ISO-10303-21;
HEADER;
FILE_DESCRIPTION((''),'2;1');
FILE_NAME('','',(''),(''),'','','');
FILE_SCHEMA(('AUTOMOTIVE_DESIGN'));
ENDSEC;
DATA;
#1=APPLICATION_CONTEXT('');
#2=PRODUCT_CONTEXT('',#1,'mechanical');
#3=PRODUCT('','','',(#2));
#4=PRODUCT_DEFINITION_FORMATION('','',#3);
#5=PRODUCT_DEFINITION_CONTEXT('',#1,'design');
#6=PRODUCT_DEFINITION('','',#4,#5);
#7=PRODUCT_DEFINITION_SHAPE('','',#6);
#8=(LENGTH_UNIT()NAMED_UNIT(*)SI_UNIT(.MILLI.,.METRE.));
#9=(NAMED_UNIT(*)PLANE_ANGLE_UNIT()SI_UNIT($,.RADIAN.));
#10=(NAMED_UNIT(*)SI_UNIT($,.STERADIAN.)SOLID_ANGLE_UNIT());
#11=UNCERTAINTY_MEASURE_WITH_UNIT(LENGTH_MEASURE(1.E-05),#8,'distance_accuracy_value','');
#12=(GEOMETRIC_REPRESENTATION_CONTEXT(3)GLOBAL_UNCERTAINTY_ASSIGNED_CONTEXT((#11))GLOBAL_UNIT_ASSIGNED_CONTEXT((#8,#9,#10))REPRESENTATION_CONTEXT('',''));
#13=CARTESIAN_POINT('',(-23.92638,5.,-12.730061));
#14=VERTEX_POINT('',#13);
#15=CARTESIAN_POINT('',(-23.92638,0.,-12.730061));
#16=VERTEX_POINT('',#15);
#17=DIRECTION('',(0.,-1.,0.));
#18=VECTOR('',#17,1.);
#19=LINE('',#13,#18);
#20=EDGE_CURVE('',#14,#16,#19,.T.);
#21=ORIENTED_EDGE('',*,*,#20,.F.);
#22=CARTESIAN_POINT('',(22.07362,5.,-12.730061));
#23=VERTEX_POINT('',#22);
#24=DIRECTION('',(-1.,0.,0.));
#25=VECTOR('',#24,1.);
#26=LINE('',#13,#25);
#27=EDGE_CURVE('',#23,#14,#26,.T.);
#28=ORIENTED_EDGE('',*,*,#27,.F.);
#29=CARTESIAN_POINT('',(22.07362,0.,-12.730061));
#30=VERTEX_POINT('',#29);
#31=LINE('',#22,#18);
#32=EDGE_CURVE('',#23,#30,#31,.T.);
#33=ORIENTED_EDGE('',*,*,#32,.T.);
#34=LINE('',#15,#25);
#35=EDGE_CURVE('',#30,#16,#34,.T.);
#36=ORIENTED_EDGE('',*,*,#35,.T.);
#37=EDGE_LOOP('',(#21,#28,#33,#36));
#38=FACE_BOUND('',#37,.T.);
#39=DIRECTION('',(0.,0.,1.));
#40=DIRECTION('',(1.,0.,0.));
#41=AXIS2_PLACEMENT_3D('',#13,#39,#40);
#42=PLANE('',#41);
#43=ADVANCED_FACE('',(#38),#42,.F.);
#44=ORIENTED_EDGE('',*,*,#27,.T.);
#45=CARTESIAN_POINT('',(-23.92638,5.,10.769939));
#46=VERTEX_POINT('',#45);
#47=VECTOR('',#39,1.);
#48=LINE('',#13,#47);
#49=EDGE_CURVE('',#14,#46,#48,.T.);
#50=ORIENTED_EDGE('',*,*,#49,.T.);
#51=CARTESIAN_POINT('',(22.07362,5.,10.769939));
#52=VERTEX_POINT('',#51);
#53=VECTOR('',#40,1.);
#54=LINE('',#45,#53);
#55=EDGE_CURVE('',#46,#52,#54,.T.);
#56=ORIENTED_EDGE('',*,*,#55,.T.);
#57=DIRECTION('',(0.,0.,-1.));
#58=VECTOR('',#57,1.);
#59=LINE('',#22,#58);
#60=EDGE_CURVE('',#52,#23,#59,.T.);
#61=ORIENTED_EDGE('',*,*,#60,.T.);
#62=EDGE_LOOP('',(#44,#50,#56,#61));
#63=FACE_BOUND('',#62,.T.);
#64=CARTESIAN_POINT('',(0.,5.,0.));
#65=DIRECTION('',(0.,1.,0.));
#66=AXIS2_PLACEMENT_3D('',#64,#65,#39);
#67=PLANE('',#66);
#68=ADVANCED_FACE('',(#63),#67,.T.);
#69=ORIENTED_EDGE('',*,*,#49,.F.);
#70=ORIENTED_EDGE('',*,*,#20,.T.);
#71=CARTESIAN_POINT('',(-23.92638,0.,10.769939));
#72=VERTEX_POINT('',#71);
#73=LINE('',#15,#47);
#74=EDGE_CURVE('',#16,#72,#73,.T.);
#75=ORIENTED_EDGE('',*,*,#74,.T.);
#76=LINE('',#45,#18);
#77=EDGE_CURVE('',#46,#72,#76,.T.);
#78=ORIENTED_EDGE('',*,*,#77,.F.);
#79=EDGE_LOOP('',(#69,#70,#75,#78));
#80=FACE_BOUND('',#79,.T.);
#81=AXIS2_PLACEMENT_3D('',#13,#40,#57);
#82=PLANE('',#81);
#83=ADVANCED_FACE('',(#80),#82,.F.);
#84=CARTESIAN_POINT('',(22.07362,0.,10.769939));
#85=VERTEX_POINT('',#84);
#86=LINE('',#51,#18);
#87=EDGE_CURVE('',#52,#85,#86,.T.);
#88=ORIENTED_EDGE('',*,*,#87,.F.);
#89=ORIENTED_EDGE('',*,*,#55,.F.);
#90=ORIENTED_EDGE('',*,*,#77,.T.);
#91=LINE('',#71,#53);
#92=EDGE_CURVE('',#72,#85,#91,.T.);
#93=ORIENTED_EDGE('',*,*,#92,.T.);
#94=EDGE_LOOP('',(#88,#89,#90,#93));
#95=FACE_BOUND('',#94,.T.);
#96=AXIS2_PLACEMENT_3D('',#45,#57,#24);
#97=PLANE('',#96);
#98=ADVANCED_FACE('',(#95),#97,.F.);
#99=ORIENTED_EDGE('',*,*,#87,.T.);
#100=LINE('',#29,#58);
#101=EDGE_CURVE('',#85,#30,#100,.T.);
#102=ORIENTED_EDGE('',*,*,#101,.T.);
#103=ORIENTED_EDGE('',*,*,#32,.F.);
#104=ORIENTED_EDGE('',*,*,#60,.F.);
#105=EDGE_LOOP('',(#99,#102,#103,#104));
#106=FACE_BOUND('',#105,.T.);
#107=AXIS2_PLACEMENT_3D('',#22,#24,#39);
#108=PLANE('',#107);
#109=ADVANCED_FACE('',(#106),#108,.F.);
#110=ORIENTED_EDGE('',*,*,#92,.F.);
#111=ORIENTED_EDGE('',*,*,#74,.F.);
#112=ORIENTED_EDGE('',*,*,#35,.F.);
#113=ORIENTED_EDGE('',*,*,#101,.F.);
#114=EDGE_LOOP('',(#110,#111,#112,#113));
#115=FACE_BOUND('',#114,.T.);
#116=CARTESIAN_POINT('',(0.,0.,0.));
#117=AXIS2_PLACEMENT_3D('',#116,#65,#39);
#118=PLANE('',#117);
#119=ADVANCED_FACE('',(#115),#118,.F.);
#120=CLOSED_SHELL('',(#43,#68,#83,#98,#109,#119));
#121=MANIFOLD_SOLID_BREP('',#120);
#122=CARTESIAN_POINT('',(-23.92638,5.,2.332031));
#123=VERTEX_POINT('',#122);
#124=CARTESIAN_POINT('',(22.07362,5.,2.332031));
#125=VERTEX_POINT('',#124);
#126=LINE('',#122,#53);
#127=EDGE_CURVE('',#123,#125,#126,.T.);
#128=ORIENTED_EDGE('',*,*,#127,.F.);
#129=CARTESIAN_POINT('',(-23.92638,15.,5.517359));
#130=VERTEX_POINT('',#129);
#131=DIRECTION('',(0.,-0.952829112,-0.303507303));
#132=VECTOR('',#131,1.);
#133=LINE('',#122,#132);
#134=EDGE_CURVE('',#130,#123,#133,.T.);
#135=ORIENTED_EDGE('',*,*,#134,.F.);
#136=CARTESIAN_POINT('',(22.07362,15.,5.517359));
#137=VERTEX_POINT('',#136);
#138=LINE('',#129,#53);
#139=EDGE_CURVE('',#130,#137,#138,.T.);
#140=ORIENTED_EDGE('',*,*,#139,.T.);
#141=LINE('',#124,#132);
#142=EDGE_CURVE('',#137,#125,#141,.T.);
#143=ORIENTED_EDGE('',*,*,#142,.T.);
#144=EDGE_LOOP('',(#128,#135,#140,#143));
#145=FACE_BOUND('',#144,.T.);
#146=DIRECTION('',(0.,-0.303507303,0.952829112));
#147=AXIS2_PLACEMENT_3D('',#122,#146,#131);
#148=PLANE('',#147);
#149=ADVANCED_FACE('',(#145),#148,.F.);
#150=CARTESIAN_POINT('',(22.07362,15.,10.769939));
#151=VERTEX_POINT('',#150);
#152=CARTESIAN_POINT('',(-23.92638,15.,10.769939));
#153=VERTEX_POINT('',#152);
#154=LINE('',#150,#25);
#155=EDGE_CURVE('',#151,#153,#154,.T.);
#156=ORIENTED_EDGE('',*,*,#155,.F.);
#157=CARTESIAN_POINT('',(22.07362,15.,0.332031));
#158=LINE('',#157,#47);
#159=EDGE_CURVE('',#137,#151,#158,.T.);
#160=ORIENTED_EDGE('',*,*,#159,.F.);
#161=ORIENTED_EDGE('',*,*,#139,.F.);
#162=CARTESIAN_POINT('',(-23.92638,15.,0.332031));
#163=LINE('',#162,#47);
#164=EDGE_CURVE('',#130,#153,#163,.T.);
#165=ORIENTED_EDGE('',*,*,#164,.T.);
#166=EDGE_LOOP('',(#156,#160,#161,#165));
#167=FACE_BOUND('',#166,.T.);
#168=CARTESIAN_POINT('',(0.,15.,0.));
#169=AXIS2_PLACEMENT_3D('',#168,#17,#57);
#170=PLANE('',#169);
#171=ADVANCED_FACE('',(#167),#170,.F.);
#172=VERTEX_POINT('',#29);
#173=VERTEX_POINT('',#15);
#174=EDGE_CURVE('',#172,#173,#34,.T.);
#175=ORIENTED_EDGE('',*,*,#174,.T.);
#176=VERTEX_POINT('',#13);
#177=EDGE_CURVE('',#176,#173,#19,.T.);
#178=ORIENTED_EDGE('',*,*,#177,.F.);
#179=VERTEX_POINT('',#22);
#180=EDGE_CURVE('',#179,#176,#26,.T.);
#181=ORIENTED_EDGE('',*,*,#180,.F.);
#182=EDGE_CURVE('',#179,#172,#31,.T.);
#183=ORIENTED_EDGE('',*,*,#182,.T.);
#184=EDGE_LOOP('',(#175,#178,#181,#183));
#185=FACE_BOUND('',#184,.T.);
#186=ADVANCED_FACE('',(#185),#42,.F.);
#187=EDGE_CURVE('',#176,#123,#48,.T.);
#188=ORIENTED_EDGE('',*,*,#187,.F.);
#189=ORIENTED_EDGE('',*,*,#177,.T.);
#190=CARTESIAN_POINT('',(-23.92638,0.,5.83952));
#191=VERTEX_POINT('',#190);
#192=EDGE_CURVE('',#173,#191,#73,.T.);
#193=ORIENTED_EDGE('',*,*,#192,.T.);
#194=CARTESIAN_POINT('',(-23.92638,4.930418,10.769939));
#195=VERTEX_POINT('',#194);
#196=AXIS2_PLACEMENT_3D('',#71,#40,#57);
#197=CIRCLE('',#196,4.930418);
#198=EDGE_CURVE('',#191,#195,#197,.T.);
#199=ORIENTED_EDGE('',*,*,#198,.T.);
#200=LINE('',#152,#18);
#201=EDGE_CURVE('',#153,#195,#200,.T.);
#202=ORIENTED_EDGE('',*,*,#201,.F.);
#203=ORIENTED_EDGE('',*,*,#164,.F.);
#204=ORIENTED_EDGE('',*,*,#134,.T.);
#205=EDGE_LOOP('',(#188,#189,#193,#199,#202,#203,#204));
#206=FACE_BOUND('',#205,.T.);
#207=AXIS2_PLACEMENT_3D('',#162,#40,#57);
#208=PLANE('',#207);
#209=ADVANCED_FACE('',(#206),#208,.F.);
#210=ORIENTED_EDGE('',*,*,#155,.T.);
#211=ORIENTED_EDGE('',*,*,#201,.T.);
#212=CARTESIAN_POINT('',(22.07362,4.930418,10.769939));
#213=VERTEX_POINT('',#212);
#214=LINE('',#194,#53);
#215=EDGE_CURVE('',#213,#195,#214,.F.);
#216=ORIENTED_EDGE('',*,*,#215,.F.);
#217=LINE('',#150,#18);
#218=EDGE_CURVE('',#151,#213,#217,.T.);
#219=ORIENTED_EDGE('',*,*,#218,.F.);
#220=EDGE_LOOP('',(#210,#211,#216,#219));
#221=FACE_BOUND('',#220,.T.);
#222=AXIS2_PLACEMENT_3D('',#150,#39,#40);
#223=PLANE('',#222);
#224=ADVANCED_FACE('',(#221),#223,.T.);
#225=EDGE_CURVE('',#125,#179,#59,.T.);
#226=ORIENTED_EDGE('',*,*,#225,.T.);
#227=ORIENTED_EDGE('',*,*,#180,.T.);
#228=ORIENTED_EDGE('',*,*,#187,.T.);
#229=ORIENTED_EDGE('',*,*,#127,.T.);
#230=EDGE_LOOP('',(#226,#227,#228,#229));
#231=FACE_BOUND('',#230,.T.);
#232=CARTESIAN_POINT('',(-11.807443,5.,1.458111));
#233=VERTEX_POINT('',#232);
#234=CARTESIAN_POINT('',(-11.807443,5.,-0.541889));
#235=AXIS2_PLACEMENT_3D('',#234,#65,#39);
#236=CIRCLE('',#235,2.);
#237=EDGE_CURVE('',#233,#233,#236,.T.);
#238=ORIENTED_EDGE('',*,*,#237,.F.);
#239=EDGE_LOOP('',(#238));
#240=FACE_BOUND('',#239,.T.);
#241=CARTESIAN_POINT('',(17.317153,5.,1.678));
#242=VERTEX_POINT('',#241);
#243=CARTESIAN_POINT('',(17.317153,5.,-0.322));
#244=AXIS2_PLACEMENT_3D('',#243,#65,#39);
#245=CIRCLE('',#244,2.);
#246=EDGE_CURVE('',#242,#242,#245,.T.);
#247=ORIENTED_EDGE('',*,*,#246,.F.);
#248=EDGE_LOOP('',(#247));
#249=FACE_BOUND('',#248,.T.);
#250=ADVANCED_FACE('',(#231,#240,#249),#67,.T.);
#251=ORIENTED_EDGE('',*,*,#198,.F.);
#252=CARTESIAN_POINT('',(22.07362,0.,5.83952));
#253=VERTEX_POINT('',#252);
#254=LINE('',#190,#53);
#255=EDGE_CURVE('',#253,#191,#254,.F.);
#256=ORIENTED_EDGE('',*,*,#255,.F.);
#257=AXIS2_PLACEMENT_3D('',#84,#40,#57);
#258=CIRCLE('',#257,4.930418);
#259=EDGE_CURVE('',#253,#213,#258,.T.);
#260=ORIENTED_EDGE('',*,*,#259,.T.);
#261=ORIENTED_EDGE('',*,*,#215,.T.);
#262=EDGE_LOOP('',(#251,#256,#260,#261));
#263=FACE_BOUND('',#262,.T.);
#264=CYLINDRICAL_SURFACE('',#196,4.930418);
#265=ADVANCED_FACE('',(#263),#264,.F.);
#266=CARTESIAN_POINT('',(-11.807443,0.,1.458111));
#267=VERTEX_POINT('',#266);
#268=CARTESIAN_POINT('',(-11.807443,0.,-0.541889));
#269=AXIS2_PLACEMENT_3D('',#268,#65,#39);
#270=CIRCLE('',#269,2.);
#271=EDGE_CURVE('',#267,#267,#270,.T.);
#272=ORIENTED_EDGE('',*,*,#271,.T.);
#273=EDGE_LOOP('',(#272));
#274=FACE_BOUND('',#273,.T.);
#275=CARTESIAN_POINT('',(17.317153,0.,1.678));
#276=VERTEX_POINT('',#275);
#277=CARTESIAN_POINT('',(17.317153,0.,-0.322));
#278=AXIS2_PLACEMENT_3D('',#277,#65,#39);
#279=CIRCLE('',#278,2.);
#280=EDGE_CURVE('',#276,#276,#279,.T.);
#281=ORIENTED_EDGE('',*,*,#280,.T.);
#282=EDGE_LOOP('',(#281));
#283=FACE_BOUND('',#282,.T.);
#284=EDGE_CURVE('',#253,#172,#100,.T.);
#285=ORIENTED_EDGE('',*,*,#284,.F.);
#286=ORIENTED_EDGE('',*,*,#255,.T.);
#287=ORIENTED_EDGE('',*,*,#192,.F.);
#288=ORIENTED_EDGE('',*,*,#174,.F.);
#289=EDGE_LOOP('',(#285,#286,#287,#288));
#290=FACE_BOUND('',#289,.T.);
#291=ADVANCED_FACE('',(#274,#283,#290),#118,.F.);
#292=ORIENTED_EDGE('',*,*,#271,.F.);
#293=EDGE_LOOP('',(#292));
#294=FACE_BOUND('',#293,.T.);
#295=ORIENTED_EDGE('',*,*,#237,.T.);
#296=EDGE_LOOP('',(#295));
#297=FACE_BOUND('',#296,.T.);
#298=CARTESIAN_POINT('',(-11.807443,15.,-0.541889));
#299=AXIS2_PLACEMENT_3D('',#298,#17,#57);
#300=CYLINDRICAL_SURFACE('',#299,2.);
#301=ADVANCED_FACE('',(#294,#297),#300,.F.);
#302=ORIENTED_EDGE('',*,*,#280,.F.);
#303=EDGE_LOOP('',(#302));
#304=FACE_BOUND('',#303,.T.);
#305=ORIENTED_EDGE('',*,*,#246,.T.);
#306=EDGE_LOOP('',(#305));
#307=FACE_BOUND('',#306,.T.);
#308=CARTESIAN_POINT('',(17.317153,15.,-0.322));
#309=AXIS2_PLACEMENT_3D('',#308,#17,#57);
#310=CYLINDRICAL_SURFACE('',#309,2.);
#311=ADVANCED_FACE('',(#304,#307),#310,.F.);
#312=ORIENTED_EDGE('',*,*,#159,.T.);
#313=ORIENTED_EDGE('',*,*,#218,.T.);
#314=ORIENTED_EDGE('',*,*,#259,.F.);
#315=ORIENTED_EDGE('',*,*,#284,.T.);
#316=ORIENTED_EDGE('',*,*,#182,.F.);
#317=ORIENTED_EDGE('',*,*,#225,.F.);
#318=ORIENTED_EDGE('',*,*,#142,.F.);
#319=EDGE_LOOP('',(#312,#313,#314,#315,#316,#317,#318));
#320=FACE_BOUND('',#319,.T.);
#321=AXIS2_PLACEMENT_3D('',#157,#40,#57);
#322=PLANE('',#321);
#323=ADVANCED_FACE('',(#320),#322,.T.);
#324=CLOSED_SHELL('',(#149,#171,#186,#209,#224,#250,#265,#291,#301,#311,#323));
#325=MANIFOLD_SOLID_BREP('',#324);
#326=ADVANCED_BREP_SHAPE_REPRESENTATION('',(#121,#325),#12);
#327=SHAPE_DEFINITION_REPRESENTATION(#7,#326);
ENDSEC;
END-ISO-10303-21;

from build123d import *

# Parameters (mm, degrees)
SKETCH1_W               = 46
SKETCH1_H               = 23.5
BOSS_EXTRUDE1_DEPTH     = 5
SKETCH2_W               = 46
SKETCH2_H               = 10.437907818
BOSS_EXTRUDE2_DEPTH     = 10
SKETCH1_2_W             = 46
SKETCH1_2_H             = 23.5
BOSS_EXTRUDE3_DEPTH     = 5
SKETCH3_R               = 2
CUT_EXTRUDE1_DEPTH      = 1
CUT_EXTRUDE1_DEPTH_BACK = 16
SKETCH4_R               = 4.930418427
CUT_EXTRUDE2_DEPTH      = 1
CUT_EXTRUDE2_DEPTH_BACK = 47
CUT_EXTRUDE3_DEPTH      = 1
CUT_EXTRUDE3_DEPTH_BACK = 47


with BuildPart() as part:
    # Sketch1 → Boss-Extrude1 (new body)
    with BuildSketch(Plane(origin=(0, 0, 0), x_dir=(1, 0, 0), z_dir=(0, 1, 0))):
        with Locations((-0.926380368, 0.98006135)):
            Rectangle(SKETCH1_W, SKETCH1_H)
    extrude(amount=BOSS_EXTRUDE1_DEPTH)


with BuildPart() as body_2:
    # Sketch2 → Boss-Extrude2 (new body)
    with BuildSketch(Plane(origin=(0, 5, 0), x_dir=(1, 0, 0), z_dir=(0, 1, 0))):
        with Locations((-0.926380368, -5.550984741)):
            Rectangle(SKETCH2_W, SKETCH2_H)
    extrude(amount=BOSS_EXTRUDE2_DEPTH)

    # Sketch1<2> → Boss-Extrude3 (add)
    with BuildSketch(Plane(origin=(0, 0, 0), x_dir=(1, 0, 0), z_dir=(0, 1, 0))):
        with Locations((-0.926380368, 0.98006135)):
            Rectangle(SKETCH1_2_W, SKETCH1_2_H)
    extrude(amount=BOSS_EXTRUDE3_DEPTH)

    # Sketch3 → Cut-Extrude1 (cut, two sides)
    with BuildSketch(Plane.XZ) as cut_extrude1_sk:
        with Locations((17.317152834, -0.321999767)):
            Circle(SKETCH3_R)
        with Locations((-11.807442733, -0.541888977)):
            Circle(SKETCH3_R)
    extrude(amount=CUT_EXTRUDE1_DEPTH, mode=Mode.SUBTRACT)
    extrude(cut_extrude1_sk.sketch, amount=-CUT_EXTRUDE1_DEPTH_BACK, mode=Mode.SUBTRACT)

    # Sketch4 → Cut-Extrude2 (cut, two sides)
    with BuildSketch(Plane(origin=(22.073619632, 0, 0), x_dir=(0, 0, -1), z_dir=(1, 0, 0))) as cut_extrude2_sk:
        with Locations((-10.76993865, 0)):
            Circle(SKETCH4_R)
    extrude(amount=CUT_EXTRUDE2_DEPTH, mode=Mode.SUBTRACT)
    extrude(cut_extrude2_sk.sketch, amount=-CUT_EXTRUDE2_DEPTH_BACK, mode=Mode.SUBTRACT)

    # Sketch5 → Cut-Extrude3 (cut, two sides)
    with BuildSketch(Plane(origin=(22.073619632, 0, 0), x_dir=(0, 0, -1), z_dir=(1, 0, 0))) as cut_extrude3_sk:
        Polygon((-0.332030832, 5), (-2.332030832, 5), (-5.517358605, 15), (-0.332030832, 15), align=None)
    extrude(amount=CUT_EXTRUDE3_DEPTH, mode=Mode.SUBTRACT)
    extrude(cut_extrude3_sk.sketch, amount=-CUT_EXTRUDE3_DEPTH_BACK, mode=Mode.SUBTRACT)


solid = Compound([part.part, body_2.part])
